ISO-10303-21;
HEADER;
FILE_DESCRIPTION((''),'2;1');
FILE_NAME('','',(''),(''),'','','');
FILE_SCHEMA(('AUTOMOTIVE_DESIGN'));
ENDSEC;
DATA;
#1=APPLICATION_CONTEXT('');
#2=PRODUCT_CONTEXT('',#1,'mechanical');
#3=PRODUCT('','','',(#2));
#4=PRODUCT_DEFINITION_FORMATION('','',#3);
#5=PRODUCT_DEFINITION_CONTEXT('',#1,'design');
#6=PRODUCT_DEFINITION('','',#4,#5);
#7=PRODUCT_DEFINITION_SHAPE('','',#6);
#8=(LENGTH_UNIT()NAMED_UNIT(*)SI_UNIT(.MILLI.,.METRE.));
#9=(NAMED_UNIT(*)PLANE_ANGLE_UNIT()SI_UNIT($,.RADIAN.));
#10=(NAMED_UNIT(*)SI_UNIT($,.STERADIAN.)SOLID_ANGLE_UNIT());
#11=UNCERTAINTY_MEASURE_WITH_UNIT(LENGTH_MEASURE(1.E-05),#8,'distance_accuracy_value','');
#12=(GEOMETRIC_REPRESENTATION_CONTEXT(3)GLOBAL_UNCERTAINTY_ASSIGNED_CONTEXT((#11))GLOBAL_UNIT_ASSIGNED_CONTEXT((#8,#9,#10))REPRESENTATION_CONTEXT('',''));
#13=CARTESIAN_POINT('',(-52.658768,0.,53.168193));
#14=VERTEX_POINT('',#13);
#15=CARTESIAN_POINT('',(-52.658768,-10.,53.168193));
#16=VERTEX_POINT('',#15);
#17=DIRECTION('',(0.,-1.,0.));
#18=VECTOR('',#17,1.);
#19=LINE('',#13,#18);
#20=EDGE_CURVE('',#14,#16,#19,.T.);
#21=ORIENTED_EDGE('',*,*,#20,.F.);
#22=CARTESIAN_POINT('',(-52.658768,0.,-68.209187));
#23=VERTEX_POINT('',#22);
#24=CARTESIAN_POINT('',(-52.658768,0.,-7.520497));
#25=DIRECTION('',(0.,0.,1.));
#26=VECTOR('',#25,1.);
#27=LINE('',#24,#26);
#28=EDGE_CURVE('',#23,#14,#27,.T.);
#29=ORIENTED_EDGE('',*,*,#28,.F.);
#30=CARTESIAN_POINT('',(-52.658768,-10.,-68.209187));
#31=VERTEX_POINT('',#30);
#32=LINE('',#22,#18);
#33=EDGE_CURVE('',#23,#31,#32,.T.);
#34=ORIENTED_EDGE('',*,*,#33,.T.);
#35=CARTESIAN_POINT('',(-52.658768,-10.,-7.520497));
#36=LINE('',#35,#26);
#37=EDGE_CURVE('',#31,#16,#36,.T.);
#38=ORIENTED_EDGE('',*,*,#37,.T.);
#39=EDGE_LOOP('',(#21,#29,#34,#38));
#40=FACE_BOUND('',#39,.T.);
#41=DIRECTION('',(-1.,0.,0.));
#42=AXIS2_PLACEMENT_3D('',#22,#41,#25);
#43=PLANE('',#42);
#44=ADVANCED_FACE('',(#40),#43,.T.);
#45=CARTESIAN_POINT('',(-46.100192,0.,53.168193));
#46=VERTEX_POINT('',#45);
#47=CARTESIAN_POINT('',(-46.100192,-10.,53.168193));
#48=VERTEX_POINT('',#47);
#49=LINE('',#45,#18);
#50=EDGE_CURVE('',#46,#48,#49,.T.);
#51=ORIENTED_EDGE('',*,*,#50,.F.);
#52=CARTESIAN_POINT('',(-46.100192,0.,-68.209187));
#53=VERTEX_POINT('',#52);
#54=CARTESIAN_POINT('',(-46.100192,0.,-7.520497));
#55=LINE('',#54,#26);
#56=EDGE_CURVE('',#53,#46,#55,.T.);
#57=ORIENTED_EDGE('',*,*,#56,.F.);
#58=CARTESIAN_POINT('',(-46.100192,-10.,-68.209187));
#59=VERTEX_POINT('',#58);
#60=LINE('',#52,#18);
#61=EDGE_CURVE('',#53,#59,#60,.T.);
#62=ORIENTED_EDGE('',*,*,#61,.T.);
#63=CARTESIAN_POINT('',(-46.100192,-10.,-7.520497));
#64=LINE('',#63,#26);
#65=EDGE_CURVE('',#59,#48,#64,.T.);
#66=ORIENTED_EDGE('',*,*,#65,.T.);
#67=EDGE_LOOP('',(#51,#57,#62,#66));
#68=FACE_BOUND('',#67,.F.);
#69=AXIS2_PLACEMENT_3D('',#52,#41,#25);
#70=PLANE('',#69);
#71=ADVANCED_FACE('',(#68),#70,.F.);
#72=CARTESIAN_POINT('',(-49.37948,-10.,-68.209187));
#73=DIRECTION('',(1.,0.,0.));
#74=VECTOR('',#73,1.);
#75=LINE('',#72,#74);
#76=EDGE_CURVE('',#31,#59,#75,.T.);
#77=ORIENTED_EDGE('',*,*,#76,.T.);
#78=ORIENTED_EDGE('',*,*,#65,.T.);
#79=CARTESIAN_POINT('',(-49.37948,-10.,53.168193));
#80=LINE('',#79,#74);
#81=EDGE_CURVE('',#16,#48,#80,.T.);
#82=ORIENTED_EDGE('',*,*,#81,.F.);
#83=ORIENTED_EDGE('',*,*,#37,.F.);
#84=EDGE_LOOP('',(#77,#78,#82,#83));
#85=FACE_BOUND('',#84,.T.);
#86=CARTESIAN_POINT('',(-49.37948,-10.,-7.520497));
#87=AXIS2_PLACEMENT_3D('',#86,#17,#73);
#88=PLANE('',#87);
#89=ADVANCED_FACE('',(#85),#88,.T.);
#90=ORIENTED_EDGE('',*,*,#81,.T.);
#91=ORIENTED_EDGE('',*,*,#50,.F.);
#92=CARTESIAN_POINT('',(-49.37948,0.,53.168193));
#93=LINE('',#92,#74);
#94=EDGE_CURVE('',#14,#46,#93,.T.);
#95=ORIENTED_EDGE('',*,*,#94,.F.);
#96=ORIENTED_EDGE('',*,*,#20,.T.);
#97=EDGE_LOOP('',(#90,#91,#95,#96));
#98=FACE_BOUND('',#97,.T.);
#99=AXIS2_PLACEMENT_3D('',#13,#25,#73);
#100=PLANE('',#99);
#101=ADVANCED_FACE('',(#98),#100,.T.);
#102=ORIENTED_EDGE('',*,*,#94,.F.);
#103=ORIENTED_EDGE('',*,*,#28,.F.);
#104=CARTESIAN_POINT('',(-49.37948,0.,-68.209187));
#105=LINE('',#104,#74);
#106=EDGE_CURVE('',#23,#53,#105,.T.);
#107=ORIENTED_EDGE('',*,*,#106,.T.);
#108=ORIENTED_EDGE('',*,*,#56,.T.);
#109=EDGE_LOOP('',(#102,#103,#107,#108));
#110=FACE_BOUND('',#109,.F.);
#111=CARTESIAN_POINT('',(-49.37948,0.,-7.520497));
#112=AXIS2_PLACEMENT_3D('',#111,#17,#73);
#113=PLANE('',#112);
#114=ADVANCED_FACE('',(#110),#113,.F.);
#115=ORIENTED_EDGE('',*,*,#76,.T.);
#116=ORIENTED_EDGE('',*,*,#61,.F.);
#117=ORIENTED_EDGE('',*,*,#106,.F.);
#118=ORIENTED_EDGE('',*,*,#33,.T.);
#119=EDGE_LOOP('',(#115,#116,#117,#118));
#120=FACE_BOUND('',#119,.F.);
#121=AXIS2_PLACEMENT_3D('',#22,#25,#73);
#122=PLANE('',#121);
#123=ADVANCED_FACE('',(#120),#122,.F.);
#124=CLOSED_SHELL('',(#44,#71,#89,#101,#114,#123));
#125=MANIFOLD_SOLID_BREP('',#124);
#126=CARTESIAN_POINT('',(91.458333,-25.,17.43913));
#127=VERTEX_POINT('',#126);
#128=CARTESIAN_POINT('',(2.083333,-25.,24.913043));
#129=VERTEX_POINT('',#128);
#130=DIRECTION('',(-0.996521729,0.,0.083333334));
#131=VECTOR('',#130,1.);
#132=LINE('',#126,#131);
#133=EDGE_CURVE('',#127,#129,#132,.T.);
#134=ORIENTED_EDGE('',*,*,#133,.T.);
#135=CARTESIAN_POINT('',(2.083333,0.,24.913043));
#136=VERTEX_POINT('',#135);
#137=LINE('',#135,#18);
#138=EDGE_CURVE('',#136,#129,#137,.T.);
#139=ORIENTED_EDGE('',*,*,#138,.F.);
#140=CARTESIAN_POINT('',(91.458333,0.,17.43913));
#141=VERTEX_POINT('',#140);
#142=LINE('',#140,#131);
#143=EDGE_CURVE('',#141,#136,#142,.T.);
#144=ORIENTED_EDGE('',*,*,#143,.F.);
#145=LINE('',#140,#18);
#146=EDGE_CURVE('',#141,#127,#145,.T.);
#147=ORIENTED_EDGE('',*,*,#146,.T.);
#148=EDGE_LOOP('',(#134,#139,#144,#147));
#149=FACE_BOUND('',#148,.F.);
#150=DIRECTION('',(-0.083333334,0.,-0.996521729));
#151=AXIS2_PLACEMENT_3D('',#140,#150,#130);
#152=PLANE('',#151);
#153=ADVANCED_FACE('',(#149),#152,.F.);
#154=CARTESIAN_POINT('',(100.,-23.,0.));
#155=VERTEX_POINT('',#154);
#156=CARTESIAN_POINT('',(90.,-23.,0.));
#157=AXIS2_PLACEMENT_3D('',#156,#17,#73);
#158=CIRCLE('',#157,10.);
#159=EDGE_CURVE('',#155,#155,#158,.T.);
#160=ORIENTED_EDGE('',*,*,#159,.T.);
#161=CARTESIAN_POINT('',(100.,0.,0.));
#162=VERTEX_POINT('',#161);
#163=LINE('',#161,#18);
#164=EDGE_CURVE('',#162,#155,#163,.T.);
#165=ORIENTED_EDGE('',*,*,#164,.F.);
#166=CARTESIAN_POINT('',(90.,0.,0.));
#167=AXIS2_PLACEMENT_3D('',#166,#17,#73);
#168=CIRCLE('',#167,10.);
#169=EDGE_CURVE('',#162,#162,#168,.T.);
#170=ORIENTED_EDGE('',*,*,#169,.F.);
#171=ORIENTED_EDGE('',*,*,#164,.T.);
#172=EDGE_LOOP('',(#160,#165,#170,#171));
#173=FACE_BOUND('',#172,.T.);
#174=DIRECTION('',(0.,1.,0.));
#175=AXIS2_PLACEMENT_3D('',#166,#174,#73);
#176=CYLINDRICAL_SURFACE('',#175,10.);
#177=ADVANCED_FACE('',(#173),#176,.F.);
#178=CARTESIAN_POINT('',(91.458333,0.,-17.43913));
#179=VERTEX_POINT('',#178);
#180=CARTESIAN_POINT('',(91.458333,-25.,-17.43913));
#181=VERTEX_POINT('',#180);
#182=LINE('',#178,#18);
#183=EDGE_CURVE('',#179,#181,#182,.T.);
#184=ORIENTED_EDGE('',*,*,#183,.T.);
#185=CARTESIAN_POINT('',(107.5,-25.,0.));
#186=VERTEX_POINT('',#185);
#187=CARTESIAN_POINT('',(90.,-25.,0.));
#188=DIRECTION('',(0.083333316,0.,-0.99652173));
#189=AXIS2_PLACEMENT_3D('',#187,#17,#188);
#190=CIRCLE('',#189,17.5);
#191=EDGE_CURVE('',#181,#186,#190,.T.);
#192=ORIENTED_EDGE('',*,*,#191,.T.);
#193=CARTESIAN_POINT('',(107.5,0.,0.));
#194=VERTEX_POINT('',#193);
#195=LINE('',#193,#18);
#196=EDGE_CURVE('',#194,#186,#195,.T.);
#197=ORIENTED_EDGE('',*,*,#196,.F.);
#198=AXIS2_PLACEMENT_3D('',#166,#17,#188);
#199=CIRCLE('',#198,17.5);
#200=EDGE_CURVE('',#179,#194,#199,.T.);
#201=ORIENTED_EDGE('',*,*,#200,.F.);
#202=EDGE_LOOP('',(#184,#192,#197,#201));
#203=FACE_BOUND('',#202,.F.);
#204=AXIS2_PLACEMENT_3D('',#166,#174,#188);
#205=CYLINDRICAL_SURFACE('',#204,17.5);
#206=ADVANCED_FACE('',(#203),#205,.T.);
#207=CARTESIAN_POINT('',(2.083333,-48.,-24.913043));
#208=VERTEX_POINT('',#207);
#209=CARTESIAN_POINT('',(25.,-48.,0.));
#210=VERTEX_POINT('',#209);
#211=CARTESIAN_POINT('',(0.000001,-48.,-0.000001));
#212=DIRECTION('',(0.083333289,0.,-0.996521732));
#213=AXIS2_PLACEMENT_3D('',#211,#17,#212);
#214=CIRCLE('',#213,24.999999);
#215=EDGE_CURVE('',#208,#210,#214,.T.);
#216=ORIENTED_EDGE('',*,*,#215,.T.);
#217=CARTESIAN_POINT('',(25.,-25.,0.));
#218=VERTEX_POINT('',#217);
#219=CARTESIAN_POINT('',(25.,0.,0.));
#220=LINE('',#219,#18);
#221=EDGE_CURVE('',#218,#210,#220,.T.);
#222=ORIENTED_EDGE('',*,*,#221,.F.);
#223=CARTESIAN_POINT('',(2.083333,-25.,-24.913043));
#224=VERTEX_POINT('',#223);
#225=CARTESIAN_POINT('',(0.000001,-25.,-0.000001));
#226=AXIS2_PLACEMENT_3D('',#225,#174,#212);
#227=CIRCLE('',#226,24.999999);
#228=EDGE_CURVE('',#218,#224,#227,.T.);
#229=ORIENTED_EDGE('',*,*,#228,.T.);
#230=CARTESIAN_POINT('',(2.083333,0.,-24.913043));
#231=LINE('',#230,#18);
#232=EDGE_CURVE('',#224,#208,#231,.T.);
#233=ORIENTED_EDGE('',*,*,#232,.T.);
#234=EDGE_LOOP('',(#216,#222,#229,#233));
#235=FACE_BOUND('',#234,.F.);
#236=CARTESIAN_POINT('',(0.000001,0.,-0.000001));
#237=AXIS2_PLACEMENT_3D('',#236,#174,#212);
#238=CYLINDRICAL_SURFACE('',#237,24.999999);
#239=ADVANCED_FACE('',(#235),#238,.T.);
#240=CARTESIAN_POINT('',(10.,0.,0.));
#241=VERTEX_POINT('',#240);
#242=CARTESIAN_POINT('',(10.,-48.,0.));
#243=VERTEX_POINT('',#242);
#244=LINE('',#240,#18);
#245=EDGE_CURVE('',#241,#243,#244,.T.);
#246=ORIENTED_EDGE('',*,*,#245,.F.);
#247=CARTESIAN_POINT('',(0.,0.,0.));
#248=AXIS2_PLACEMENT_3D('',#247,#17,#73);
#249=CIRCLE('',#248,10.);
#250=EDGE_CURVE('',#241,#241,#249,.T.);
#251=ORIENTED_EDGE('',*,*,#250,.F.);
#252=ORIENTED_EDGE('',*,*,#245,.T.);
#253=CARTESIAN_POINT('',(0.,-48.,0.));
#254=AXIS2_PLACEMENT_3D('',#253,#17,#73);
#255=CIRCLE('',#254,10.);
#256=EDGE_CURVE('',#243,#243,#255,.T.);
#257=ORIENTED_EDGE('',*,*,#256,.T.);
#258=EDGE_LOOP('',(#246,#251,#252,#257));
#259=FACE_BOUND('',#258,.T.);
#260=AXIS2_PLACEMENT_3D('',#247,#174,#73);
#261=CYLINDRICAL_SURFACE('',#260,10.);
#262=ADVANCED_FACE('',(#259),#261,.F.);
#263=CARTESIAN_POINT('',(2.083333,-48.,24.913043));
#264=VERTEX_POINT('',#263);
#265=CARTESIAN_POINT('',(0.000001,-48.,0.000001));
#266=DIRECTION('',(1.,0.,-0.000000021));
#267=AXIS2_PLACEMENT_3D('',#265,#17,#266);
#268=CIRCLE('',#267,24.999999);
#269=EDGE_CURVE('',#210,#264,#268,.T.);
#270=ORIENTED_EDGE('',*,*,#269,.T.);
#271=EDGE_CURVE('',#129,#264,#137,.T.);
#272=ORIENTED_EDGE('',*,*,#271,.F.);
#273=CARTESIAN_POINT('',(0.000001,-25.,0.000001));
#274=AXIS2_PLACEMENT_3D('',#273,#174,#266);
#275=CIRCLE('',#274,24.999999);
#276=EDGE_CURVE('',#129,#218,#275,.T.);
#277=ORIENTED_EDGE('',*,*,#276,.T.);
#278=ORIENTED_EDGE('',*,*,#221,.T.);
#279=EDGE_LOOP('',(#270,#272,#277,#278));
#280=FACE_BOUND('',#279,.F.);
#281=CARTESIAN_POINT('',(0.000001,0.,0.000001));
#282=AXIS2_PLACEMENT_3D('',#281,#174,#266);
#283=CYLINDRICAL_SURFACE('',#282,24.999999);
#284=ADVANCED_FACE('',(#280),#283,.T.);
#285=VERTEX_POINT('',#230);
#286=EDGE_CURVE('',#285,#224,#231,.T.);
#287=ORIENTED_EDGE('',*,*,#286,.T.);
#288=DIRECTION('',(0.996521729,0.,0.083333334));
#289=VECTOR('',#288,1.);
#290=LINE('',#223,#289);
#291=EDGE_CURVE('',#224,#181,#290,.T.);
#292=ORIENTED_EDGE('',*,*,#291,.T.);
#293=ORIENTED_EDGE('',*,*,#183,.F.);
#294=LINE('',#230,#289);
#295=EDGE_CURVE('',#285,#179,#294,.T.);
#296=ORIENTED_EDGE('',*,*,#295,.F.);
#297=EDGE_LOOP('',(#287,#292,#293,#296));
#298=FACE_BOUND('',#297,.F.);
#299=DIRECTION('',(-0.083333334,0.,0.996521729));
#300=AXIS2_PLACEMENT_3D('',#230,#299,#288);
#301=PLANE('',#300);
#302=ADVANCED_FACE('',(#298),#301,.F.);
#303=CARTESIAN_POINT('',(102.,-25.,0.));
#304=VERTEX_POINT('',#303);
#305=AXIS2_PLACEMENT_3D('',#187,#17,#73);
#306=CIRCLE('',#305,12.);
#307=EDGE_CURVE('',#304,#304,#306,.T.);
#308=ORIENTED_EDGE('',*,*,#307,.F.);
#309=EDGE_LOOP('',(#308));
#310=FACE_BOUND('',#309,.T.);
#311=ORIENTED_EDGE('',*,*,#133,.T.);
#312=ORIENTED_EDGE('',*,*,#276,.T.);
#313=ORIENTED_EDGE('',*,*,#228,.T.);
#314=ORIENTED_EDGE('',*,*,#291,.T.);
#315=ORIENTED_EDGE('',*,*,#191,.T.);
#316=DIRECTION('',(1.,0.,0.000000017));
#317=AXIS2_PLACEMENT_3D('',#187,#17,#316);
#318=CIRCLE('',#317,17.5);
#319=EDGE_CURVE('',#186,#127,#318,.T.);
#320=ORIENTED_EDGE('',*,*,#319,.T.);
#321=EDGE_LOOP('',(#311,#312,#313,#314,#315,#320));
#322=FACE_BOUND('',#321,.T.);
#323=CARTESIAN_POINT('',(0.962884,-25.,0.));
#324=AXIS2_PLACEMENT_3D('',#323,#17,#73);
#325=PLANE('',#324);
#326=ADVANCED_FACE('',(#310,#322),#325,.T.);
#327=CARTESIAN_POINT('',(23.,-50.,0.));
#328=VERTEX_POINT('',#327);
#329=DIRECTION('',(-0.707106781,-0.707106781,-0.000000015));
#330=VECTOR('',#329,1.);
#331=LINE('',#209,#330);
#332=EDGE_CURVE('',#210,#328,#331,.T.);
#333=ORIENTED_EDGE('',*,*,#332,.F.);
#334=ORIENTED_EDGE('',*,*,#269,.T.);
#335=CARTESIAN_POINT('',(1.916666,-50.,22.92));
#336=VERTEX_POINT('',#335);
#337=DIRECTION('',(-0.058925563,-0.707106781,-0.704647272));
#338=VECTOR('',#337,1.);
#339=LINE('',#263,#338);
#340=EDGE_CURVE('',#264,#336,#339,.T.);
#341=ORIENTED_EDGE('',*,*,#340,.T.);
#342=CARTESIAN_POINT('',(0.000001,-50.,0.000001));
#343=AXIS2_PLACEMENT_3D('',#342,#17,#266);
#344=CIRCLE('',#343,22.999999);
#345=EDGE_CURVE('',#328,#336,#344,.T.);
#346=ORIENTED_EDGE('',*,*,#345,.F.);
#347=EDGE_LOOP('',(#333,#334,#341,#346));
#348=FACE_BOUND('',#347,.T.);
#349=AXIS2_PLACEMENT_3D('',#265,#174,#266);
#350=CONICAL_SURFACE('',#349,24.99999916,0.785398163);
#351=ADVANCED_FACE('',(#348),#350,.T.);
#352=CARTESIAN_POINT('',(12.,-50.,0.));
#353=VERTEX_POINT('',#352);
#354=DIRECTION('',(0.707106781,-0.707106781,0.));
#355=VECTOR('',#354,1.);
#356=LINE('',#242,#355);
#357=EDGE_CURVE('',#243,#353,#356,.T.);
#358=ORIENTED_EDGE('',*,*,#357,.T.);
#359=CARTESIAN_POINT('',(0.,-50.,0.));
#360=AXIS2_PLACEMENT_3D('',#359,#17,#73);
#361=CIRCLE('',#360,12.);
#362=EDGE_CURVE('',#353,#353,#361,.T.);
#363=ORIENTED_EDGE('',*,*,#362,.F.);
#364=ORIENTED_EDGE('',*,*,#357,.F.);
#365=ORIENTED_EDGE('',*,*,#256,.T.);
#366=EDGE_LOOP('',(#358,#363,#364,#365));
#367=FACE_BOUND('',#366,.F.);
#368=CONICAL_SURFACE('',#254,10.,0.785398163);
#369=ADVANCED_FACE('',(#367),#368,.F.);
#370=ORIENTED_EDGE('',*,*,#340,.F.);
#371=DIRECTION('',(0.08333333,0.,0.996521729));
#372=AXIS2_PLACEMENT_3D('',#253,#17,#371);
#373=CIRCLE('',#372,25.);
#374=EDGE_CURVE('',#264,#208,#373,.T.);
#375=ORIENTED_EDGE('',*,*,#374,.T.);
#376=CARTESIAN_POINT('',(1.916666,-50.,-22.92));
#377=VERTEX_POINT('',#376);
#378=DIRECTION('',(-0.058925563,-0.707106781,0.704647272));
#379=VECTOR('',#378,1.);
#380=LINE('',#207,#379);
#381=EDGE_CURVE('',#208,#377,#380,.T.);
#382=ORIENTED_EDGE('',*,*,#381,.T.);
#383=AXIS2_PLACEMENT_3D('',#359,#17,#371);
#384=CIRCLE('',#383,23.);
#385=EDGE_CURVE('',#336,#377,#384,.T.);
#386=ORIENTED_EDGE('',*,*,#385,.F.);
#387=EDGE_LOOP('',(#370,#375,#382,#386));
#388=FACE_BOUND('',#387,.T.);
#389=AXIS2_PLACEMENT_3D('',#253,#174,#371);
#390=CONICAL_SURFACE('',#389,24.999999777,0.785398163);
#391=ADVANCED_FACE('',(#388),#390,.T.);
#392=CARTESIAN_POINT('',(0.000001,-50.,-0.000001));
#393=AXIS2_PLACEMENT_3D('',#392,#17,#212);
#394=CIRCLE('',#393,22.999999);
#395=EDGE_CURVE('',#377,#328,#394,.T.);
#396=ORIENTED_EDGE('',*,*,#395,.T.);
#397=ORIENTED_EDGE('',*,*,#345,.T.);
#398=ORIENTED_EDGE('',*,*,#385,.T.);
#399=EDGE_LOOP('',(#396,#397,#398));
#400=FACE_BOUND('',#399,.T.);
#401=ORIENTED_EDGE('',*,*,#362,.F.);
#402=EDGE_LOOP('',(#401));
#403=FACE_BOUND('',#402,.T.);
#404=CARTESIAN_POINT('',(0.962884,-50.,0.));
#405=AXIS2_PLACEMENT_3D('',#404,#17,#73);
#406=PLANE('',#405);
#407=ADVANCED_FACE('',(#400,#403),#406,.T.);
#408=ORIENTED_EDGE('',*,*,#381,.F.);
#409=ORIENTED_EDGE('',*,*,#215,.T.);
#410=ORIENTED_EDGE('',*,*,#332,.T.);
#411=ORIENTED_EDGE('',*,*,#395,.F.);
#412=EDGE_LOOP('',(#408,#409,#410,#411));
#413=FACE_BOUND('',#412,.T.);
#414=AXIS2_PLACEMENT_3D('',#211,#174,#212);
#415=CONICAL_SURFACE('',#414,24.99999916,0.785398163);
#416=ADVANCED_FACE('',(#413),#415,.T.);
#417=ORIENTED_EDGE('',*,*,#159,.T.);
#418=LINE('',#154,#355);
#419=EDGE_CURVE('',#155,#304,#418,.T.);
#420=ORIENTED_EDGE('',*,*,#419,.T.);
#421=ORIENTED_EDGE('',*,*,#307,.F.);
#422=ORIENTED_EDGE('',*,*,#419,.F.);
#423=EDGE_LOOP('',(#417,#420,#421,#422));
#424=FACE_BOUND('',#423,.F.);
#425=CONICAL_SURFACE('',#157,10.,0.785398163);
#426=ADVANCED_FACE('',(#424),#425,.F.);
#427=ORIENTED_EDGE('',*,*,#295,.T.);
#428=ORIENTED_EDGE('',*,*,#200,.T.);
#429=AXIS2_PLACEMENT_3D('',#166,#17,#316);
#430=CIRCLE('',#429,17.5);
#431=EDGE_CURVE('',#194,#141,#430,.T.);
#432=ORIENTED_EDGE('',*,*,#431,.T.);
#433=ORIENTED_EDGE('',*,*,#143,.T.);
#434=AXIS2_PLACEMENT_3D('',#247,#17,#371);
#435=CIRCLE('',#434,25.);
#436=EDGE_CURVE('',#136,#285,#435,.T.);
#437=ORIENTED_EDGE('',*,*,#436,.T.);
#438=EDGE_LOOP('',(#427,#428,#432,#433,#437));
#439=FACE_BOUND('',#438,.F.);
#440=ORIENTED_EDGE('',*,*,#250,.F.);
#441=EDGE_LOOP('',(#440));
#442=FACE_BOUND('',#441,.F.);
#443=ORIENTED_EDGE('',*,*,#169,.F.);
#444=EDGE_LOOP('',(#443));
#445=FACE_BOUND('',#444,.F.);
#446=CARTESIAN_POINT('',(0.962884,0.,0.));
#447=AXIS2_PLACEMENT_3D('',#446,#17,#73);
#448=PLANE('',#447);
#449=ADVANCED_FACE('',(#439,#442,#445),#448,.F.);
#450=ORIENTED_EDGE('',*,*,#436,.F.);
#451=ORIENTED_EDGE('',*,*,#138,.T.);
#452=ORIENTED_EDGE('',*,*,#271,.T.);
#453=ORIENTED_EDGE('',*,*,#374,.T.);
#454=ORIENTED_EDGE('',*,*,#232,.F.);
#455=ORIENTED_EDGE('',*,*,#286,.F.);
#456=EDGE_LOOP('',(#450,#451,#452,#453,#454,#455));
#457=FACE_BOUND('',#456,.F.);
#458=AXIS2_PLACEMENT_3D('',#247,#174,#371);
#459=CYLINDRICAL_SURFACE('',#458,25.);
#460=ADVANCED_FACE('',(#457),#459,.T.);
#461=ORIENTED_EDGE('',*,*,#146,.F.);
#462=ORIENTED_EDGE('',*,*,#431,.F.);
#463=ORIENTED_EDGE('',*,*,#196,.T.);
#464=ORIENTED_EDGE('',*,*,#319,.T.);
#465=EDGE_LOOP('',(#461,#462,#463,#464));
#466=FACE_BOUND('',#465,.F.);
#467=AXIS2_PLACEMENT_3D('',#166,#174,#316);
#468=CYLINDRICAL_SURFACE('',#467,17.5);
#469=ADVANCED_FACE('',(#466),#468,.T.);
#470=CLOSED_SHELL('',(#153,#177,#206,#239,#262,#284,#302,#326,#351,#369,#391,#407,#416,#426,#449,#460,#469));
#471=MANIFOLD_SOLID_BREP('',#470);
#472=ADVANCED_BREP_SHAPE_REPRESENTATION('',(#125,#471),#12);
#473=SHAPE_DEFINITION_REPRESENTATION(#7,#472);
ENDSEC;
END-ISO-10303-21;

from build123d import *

# Parameters (mm, degrees)
F0_R     = 10
F1_DEPTH = 25
F2_DEPTH = 50
F3_SIZE  = 2
F4_W     = 6.558575
F4_H     = 121.377379
F5_DEPTH = 10


with BuildPart() as f1:
    # F0 (on Front) → F1 (new body)
    with BuildSketch(Plane.XZ):
        with BuildLine():
            ThreePointArc((2.083333, -24.913043), (18.399502, -16.92508), (25, 0))
            ThreePointArc((25, 0), (18.399502, 16.92508), (2.083333, 24.913043))
            ThreePointArc((2.083333, 24.913043), (-25, 0), (2.083333, -24.913043))
        make_face()
        Circle(F0_R, mode=Mode.SUBTRACT)
        with BuildLine():
            ThreePointArc((2.083333, 24.913043), (18.399502, 16.92508), (25, 0))
            ThreePointArc((25, 0), (18.399502, -16.92508), (2.083333, -24.913043))
            Line((2.083333, -24.913043), (91.458333, -17.43913))
            ThreePointArc((91.458333, -17.43913), (72.5, 0), (91.458333, 17.43913))
            Line((91.458333, 17.43913), (2.083333, 24.913043))
        make_face()
        with BuildLine():
            ThreePointArc((107.5, 0), (102.879651, 11.847556), (91.458333, 17.43913))
            ThreePointArc((91.458333, 17.43913), (72.5, 0), (91.458333, -17.43913))
            ThreePointArc((91.458333, -17.43913), (102.879651, -11.847556), (107.5, 0))
        make_face()
        with Locations((90, 0)):
            Circle(F0_R, mode=Mode.SUBTRACT)
    extrude(amount=F1_DEPTH)

    # F0 (on Front) → F2 (join)
    with BuildSketch(Plane.XZ):
        with BuildLine():
            ThreePointArc((2.083333, -24.913043), (18.399502, -16.92508), (25, 0))
            ThreePointArc((25, 0), (18.399502, 16.92508), (2.083333, 24.913043))
            ThreePointArc((2.083333, 24.913043), (-25, 0), (2.083333, -24.913043))
        make_face()
        Circle(F0_R, mode=Mode.SUBTRACT)
    extrude(amount=F2_DEPTH)

    # F3
    f3_edges = [f1.edges().sort_by_distance(p)[0] for p in [
        (-2.083333, -50, 24.913043),
        (-10, -50, 0),
        (80, -25, 0),
    ]]
    chamfer(f3_edges, length=F3_SIZE)


with BuildPart() as f5:
    # F4 (on Front) → F5 (new body)
    with BuildSketch(Plane.XZ):
        with Locations((-49.37948, -7.520497)):
            Rectangle(F4_W, F4_H)
    extrude(amount=F5_DEPTH)


solid = Compound([f1.part, f5.part])
